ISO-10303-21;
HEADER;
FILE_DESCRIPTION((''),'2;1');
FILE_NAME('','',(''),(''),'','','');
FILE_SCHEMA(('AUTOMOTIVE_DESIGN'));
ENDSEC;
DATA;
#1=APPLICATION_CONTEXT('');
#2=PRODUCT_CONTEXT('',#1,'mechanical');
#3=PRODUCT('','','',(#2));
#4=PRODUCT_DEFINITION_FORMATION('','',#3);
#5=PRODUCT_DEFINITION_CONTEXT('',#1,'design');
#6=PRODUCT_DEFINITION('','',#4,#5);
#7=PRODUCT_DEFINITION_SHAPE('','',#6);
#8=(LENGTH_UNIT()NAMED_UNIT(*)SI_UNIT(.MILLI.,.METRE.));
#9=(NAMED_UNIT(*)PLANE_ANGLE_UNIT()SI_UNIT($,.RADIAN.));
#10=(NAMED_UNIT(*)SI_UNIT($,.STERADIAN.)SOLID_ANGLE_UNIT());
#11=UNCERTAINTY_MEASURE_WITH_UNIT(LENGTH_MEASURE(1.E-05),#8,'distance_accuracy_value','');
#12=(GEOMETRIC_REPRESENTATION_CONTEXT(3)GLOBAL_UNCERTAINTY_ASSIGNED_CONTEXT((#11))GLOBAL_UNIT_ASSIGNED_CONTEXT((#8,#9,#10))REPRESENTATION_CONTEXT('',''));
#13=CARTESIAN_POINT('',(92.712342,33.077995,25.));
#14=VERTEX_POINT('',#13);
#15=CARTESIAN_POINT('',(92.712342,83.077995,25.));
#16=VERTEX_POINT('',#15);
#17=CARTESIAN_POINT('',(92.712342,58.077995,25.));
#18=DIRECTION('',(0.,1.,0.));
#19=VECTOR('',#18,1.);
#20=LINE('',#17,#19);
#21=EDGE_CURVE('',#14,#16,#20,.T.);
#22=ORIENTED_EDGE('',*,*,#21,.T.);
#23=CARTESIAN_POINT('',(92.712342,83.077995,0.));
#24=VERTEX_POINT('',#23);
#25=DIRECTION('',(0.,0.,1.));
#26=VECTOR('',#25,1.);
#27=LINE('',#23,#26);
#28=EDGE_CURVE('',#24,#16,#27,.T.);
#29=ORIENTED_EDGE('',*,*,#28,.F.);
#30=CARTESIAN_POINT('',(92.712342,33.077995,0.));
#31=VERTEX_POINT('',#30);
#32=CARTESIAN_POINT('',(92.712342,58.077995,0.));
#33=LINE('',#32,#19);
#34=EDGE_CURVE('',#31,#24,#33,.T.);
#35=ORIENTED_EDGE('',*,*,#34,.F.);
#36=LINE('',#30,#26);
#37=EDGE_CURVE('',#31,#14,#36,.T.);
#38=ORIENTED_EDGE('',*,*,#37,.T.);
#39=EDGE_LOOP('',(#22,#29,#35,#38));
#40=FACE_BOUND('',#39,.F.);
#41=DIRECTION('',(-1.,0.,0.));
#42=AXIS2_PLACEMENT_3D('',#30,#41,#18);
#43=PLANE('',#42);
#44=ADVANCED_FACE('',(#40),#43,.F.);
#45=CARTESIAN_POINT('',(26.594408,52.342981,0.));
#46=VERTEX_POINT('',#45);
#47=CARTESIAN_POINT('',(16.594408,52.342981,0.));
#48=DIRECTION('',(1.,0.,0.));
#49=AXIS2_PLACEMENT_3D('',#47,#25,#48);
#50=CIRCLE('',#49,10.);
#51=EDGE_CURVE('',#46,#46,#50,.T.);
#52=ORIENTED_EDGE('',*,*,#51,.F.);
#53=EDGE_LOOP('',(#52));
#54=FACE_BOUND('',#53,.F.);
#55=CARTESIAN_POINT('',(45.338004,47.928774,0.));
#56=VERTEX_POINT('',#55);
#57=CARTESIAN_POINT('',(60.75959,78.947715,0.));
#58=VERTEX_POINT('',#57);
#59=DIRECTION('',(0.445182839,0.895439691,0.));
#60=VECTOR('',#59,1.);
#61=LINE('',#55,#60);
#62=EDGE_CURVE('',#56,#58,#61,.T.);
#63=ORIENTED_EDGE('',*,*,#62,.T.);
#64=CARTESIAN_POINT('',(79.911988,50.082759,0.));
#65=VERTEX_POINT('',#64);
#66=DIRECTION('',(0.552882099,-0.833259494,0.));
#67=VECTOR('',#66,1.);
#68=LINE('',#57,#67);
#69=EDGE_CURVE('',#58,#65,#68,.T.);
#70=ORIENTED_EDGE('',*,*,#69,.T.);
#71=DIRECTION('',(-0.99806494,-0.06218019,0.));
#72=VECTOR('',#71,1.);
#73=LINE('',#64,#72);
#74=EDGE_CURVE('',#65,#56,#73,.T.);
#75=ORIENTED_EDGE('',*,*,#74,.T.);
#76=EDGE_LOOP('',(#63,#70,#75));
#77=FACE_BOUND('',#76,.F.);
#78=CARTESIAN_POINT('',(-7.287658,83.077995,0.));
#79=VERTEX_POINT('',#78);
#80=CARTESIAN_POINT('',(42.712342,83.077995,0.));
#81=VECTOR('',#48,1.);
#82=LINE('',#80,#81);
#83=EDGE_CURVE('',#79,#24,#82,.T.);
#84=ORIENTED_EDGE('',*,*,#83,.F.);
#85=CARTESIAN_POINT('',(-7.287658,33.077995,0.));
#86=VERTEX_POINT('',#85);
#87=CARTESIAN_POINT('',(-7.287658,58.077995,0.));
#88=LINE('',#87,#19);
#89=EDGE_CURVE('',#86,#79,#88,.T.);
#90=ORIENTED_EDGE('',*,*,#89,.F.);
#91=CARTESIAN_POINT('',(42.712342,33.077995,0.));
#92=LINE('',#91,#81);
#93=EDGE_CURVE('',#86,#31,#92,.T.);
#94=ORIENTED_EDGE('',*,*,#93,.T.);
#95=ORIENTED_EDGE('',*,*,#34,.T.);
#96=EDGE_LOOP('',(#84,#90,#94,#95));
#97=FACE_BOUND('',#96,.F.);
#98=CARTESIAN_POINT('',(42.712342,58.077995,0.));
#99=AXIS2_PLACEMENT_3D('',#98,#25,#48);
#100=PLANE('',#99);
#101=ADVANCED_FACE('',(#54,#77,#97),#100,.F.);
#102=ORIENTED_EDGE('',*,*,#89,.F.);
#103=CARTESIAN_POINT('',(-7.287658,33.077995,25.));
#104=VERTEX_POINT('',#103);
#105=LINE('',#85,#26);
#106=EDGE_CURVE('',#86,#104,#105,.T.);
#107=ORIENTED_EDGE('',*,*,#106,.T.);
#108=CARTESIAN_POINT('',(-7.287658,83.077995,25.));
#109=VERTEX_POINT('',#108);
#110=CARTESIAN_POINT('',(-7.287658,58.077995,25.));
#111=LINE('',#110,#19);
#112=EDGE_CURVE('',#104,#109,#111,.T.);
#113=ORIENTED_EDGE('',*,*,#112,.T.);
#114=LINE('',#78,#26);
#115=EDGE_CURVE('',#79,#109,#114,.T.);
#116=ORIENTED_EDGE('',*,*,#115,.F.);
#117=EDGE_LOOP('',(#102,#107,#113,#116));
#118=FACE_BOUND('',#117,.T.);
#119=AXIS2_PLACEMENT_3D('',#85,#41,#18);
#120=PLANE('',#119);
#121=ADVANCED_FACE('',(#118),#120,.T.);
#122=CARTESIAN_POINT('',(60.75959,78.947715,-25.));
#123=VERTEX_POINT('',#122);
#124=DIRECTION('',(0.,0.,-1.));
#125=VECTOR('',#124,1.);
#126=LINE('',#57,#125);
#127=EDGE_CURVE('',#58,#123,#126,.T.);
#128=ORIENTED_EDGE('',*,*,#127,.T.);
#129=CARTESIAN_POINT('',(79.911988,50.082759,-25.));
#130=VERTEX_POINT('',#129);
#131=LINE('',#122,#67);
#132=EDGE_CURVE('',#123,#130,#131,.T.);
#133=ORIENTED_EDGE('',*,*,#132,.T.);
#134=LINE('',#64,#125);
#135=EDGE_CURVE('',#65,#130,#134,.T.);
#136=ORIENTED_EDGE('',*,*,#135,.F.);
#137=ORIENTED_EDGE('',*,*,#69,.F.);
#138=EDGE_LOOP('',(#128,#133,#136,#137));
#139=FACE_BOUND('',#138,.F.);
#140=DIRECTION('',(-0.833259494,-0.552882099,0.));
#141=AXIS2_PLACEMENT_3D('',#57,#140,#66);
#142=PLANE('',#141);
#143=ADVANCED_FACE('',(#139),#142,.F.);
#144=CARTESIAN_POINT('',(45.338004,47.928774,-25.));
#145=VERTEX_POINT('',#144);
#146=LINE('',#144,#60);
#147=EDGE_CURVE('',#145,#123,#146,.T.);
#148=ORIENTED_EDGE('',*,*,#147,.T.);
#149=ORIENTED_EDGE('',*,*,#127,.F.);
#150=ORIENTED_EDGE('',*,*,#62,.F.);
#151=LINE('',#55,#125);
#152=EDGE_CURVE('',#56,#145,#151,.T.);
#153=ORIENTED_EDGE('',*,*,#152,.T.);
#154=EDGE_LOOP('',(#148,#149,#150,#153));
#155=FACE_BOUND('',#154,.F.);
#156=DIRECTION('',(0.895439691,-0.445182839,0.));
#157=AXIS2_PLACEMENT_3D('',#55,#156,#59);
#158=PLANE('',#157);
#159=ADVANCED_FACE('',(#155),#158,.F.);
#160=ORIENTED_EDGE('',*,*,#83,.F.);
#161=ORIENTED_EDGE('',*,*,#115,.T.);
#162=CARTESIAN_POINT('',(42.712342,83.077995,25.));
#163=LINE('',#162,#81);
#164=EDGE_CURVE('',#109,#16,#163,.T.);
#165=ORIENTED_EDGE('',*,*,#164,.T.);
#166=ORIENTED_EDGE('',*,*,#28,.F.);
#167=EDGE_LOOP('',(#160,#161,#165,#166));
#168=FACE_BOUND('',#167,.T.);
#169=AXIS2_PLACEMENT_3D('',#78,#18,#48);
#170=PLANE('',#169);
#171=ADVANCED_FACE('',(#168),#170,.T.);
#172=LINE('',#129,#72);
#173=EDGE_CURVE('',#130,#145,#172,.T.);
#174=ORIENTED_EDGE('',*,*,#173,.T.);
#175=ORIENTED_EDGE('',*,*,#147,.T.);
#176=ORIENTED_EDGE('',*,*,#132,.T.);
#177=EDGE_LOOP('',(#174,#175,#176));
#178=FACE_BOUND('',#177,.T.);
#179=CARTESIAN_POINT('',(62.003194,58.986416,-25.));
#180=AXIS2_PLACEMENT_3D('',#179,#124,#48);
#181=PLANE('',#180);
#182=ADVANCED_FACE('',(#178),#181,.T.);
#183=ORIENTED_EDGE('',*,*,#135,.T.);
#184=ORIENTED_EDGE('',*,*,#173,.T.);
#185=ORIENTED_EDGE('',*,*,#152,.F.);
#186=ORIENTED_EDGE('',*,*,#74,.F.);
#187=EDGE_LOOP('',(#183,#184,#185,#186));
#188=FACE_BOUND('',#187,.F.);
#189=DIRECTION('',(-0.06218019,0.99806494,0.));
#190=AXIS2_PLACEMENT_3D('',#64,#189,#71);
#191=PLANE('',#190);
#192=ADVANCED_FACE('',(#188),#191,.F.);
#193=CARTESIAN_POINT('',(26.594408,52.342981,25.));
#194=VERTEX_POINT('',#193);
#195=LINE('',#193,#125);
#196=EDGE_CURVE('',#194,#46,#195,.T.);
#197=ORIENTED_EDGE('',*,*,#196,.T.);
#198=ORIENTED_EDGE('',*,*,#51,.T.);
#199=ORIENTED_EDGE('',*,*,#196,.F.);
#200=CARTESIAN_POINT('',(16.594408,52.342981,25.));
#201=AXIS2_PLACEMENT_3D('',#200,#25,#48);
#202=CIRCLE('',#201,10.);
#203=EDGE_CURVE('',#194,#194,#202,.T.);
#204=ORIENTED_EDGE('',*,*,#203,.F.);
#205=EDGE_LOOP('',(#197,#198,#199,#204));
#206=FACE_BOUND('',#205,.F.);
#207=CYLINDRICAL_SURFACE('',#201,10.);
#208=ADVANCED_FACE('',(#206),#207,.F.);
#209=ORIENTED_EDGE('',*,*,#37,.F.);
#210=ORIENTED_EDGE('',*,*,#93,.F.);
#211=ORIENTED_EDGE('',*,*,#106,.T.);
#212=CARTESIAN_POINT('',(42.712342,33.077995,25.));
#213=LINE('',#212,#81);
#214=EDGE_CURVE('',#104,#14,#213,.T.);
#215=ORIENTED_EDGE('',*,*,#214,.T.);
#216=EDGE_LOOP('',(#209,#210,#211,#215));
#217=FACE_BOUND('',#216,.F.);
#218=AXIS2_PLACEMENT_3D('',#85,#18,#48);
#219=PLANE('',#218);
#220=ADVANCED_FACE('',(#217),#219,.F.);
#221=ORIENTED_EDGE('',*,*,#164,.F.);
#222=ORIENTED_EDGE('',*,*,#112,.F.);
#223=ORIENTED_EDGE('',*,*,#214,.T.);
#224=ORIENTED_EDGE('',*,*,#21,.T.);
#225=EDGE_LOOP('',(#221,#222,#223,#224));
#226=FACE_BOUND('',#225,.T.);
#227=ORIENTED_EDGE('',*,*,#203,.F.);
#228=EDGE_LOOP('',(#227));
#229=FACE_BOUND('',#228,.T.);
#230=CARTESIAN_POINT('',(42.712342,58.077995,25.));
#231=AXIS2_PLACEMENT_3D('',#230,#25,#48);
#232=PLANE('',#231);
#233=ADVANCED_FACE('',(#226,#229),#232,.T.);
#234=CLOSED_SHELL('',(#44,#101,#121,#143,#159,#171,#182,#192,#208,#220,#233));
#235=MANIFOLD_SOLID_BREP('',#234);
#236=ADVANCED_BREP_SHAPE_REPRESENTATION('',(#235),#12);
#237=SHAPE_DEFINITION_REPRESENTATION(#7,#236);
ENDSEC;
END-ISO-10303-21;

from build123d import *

# Parameters (mm, degrees)
F0_W     = 100
F0_H     = 50
F1_DEPTH = 25
F2_R     = 10
F3_DEPTH = 25.001
F5_DEPTH = 25


with BuildPart() as f1:
    # F0 (on Top) → F1 (new body)
    with BuildSketch(Plane.XY):
        with Locations((42.712342, 58.077995)):
            Rectangle(F0_W, F0_H)
    extrude(amount=F1_DEPTH)

    # F2 (on face) → F3 (cut, through all)
    with BuildSketch(Plane.XY.offset(25)):
        with Locations((16.594408, 52.342981)):
            Circle(F2_R)
    extrude(amount=-F3_DEPTH, mode=Mode.SUBTRACT)

    # F4 (on face) → F5 (join)
    with BuildSketch(Plane(origin=(0, 0, 0), x_dir=(1, 0, 0), z_dir=(0, 0, -1))):
        Polygon((45.338004, -47.928774), (60.75959, -78.947715), (79.911988, -50.082759), align=None)
    extrude(amount=F5_DEPTH)


solid = f1.part
